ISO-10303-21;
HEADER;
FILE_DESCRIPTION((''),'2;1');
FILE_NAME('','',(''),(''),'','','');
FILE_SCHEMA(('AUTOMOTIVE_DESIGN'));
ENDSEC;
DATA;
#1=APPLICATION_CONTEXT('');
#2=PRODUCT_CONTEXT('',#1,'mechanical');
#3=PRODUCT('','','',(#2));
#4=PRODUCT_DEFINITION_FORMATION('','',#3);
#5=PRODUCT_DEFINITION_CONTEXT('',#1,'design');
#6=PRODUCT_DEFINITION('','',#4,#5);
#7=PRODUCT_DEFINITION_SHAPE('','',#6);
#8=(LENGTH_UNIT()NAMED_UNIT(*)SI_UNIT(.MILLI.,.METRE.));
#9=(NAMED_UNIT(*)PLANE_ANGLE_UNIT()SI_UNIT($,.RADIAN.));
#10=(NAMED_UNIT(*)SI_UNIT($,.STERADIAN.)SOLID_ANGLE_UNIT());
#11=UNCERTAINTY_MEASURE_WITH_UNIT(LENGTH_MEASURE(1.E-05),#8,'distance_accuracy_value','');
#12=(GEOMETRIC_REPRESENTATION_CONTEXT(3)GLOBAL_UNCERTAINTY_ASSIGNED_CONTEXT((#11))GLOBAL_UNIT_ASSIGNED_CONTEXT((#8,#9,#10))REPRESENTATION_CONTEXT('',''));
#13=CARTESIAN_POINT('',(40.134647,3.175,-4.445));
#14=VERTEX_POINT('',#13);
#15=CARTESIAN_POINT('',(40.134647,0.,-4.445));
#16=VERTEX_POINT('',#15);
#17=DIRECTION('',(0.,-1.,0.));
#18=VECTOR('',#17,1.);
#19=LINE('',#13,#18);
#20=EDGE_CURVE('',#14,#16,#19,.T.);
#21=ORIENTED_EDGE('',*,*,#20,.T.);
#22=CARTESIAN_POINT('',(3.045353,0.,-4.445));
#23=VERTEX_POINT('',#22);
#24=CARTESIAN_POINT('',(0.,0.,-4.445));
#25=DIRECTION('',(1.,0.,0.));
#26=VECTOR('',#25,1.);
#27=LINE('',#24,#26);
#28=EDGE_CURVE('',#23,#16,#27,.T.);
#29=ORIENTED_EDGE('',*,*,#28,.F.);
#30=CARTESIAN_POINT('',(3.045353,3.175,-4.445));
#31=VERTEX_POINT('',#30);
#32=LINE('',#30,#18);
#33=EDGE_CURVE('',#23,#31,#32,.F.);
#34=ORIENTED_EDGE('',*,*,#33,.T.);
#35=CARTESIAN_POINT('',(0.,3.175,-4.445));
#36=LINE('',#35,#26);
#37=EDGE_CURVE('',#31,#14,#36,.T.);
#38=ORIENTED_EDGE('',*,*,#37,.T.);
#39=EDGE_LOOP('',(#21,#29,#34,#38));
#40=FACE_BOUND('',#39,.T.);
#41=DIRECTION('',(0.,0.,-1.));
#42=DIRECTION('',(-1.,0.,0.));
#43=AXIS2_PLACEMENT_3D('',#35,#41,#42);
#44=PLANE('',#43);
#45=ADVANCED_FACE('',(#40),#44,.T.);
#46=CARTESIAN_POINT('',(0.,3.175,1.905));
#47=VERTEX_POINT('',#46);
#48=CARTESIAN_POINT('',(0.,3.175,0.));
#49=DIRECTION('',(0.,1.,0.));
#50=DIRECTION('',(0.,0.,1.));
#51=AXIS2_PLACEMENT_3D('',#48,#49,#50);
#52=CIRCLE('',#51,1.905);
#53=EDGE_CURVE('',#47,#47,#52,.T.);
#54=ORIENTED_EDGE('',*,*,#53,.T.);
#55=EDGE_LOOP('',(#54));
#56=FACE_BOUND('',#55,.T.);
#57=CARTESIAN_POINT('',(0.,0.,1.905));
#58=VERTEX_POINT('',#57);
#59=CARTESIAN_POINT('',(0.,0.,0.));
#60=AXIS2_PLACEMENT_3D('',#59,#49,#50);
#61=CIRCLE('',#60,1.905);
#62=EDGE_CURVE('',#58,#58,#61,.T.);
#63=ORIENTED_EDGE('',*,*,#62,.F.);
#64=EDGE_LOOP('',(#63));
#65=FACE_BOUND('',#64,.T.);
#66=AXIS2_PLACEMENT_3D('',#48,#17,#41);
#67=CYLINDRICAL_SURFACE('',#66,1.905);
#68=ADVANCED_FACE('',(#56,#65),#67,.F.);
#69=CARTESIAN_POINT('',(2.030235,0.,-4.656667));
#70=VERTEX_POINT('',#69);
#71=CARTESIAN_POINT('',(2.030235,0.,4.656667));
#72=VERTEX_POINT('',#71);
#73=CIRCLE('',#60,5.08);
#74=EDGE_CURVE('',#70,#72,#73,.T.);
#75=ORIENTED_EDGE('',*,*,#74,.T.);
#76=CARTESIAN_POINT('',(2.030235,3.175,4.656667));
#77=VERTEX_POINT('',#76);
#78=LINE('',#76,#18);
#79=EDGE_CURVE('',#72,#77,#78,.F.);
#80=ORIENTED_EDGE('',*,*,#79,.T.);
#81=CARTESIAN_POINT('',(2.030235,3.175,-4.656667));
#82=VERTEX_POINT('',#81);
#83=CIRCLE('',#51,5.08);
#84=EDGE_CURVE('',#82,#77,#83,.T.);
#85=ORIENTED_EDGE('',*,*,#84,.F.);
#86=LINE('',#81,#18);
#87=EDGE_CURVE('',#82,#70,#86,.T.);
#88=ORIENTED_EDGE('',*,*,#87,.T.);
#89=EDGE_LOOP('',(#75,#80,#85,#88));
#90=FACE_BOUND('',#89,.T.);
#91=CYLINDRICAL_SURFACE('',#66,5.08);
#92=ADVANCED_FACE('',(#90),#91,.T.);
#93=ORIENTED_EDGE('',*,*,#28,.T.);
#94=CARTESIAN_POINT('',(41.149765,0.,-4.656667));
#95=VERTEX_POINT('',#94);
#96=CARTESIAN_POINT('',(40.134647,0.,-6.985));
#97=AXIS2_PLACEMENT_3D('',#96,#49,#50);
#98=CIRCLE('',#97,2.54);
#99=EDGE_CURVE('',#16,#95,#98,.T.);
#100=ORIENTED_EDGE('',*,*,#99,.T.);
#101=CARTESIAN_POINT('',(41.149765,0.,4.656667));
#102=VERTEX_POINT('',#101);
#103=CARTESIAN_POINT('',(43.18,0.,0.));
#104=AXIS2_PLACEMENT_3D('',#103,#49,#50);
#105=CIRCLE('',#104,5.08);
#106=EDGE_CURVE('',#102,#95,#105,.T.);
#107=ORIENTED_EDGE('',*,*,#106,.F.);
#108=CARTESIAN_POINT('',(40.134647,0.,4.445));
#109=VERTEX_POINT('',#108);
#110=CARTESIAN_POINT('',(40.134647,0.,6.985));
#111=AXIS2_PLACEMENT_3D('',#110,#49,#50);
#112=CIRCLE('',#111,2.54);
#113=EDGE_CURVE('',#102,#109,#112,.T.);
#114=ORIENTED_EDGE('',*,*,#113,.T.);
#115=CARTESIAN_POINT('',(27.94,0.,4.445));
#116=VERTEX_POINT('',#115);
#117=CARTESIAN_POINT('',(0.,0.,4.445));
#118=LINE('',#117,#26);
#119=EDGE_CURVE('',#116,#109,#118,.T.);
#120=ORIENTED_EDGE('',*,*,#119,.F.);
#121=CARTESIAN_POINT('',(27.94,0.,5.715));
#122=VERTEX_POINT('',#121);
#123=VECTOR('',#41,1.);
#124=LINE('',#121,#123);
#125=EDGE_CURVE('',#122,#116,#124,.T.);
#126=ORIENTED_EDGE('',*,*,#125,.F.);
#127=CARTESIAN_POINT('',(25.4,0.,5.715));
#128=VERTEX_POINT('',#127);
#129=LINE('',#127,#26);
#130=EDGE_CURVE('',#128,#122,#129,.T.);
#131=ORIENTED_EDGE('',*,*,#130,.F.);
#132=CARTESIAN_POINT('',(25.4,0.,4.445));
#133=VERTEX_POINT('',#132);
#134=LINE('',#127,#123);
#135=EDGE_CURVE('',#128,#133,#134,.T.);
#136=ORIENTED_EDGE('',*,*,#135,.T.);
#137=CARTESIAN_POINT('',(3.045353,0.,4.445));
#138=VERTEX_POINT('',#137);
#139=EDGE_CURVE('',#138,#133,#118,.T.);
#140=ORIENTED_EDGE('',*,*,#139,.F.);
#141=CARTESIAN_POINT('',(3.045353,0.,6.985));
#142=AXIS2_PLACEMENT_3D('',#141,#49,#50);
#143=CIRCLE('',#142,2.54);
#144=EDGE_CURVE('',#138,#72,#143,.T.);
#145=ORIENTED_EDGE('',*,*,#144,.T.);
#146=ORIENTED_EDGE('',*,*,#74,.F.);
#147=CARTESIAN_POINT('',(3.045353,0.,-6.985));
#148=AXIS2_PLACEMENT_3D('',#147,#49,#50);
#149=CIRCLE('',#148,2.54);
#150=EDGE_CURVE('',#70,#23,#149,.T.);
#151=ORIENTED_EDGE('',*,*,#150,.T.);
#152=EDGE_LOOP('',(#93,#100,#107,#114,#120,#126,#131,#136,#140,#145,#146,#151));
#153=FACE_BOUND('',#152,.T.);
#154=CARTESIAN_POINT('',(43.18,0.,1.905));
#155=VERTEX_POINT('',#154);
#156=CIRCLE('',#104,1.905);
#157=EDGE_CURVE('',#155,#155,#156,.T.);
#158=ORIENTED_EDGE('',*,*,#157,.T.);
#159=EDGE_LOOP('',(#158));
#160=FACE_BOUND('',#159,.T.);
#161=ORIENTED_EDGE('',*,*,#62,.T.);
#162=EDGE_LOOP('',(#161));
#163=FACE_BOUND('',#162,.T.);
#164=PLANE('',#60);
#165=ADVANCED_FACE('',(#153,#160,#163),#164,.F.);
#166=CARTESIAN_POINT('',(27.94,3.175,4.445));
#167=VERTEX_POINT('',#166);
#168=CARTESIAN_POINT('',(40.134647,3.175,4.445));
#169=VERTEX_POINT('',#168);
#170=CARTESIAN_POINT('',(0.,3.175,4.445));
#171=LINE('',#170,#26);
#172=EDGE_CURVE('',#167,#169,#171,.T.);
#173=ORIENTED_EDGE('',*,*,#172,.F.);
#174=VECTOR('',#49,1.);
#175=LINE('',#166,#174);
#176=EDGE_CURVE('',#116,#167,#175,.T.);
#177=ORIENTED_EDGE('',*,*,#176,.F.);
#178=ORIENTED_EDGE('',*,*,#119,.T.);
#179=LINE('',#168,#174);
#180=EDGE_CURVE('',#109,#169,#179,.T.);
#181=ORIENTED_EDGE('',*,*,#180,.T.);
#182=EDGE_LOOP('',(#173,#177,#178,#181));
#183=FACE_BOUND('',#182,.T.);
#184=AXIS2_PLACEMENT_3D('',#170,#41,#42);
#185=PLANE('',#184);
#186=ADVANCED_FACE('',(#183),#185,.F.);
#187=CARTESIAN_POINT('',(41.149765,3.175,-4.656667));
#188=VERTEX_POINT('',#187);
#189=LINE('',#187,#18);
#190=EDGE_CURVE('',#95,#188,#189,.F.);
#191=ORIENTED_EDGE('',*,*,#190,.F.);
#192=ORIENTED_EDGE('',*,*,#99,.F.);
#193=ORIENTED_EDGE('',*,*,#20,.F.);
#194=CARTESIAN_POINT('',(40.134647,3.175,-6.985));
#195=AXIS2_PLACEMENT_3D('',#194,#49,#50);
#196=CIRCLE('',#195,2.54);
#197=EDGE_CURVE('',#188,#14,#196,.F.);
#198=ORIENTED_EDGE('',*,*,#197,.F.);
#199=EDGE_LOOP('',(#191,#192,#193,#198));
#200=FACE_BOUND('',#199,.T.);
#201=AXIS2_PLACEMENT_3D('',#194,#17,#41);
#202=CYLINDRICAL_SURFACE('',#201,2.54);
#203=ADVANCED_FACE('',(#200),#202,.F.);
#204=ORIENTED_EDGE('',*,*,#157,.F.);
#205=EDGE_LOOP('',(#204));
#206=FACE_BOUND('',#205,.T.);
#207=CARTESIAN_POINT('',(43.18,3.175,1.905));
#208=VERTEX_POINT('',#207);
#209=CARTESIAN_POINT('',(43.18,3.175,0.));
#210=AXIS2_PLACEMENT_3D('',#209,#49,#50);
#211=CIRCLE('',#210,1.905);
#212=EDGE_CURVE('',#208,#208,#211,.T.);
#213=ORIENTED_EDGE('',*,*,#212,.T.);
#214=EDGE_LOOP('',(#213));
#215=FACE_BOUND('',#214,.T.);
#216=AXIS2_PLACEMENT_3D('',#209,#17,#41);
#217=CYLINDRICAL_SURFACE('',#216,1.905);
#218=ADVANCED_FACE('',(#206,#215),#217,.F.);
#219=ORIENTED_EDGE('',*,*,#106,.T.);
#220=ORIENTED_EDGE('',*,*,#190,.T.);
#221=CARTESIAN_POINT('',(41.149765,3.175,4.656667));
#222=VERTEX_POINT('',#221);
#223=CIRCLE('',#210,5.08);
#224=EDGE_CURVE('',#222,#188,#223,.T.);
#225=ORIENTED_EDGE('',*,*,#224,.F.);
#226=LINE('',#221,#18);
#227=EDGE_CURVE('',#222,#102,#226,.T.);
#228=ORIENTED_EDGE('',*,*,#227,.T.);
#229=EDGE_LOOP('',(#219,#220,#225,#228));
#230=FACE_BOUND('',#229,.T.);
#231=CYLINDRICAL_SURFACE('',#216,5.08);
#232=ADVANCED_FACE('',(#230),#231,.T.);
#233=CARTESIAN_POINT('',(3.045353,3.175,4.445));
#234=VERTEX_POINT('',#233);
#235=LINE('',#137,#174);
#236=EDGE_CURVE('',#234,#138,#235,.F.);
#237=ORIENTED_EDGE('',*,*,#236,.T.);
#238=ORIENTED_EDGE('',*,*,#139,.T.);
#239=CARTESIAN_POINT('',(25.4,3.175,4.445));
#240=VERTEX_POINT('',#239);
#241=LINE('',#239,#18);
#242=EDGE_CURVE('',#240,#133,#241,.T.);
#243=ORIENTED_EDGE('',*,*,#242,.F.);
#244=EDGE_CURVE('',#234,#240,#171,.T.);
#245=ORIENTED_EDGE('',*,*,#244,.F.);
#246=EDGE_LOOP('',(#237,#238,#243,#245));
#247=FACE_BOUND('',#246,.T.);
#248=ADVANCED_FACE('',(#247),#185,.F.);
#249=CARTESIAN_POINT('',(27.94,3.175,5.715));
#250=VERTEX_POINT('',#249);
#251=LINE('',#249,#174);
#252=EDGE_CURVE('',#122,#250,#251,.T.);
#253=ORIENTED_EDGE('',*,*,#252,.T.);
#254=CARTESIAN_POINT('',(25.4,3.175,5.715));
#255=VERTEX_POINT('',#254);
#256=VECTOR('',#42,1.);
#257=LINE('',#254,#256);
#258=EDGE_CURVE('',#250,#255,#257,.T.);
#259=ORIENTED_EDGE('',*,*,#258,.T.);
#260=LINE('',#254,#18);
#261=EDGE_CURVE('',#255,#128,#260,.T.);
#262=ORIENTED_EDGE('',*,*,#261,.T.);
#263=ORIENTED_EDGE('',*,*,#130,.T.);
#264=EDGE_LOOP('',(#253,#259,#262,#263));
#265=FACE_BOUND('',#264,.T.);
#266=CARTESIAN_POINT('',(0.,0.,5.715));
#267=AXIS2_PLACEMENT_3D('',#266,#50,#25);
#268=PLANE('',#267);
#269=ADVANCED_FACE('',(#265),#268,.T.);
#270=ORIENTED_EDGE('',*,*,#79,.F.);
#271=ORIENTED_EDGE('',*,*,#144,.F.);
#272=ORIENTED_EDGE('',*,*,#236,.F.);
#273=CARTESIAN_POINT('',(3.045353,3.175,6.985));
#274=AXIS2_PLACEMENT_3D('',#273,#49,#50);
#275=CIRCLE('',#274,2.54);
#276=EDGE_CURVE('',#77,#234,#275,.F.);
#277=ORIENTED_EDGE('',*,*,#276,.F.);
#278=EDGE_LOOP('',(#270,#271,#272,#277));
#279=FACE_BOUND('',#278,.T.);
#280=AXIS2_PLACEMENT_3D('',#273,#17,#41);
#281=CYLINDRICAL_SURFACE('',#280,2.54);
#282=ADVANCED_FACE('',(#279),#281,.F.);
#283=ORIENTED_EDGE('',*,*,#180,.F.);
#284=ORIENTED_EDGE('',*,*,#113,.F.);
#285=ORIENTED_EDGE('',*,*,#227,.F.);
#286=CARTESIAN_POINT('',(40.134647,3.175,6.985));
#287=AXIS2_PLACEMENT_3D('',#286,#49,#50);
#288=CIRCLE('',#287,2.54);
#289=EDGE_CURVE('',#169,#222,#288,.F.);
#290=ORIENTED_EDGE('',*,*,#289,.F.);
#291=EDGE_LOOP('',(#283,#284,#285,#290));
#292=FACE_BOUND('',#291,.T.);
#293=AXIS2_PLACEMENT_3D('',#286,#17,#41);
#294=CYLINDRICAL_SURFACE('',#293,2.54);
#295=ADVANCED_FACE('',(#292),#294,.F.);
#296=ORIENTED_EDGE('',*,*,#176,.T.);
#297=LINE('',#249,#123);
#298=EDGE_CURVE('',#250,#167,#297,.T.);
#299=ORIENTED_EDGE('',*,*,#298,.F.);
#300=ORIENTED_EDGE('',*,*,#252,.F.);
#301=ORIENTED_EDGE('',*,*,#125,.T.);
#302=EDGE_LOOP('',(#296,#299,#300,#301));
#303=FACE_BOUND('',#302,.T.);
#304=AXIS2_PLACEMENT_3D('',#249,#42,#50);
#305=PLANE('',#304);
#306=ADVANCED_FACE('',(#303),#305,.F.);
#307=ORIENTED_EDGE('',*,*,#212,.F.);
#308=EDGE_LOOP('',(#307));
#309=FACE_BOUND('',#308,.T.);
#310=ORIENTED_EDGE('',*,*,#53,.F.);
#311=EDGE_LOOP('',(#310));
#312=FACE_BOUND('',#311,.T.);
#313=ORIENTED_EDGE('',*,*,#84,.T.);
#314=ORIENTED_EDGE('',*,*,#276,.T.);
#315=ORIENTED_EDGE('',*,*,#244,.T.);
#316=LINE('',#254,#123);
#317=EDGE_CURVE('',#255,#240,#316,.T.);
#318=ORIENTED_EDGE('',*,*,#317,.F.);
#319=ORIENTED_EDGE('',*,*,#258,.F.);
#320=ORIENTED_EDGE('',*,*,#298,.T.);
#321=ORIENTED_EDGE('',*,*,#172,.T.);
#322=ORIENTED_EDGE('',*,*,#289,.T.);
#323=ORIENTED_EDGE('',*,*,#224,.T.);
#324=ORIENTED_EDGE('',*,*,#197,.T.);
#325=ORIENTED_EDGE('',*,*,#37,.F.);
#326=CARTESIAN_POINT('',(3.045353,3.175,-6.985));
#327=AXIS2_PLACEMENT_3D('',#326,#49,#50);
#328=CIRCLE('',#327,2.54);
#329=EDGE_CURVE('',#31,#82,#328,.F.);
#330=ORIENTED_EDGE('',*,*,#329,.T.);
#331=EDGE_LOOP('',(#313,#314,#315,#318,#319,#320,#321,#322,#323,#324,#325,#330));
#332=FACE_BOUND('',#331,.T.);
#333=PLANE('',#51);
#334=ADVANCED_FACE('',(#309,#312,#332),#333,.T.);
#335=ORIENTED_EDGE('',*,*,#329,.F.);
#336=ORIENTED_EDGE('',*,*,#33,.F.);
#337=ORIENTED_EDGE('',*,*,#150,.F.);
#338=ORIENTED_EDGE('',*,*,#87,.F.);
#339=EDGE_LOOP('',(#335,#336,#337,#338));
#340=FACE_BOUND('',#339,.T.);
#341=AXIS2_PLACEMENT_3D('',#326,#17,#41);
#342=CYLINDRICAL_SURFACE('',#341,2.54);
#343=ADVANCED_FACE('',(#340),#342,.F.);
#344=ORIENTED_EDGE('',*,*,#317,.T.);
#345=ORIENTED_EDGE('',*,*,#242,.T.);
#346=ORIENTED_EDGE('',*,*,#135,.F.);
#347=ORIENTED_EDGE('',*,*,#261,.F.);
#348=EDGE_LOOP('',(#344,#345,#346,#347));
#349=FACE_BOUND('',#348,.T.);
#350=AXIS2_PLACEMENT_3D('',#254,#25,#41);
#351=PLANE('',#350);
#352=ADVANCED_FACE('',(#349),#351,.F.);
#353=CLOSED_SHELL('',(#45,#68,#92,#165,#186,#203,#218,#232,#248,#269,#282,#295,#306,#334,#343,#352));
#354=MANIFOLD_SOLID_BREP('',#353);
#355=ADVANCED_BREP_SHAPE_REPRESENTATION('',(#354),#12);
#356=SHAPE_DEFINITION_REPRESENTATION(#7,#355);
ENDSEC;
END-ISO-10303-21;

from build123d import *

# Parameters (mm, degrees)
SKETCH1_R           = 5.08
SKETCH1_R_2         = 1.905
BOSS_EXTRUDE1_DEPTH = 3.175
FILLET1_R           = 2.54
SKETCH2_W           = 2.54
SKETCH2_H           = 3.175
BOSS_EXTRUDE2_DEPTH = 1.27


with BuildPart() as part:
    # Sketch1 → Boss-Extrude1 (new body)
    with BuildSketch(Plane(origin=(0, 0, 0), x_dir=(1, 0, 0), z_dir=(0, 1, 0))):
        Circle(SKETCH1_R)
        Circle(SKETCH1_R_2, mode=Mode.SUBTRACT)
        with BuildLine():
            Line((40.720655575, 4.445), (2.459344425, 4.445))
            ThreePointArc((2.459344425, 4.445), (4.376063852, 2.580012628), (5.08, 0))
            ThreePointArc((5.08, 0), (4.376063852, -2.580012628), (2.459344425, -4.445))
            Line((2.459344425, -4.445), (40.720655575, -4.445))
            ThreePointArc((40.720655575, -4.445), (38.1, 0), (40.720655575, 4.445))
        make_face()
        with Locations((43.18, 0)):
            Circle(SKETCH1_R)
        with Locations((43.18, 0)):
            Circle(SKETCH1_R_2, mode=Mode.SUBTRACT)
    extrude(amount=BOSS_EXTRUDE1_DEPTH)

    # Fillet1
    fillet1_edges = [part.edges().sort_by_distance(p)[0] for p in [
        (2.459344425, 1.5875, -4.445),
        (40.720655575, 1.5875, -4.445),
        (40.720655575, 1.5875, 4.445),
        (2.459344425, 1.5875, 4.445),
    ]]
    fillet(fillet1_edges, radius=FILLET1_R)

    # Sketch2 → Boss-Extrude2 (add)
    with BuildSketch(Plane.XY.offset(4.445)):
        with Locations((26.67, 1.5875)):
            Rectangle(SKETCH2_W, SKETCH2_H)
    extrude(amount=BOSS_EXTRUDE2_DEPTH)


solid = part.part
